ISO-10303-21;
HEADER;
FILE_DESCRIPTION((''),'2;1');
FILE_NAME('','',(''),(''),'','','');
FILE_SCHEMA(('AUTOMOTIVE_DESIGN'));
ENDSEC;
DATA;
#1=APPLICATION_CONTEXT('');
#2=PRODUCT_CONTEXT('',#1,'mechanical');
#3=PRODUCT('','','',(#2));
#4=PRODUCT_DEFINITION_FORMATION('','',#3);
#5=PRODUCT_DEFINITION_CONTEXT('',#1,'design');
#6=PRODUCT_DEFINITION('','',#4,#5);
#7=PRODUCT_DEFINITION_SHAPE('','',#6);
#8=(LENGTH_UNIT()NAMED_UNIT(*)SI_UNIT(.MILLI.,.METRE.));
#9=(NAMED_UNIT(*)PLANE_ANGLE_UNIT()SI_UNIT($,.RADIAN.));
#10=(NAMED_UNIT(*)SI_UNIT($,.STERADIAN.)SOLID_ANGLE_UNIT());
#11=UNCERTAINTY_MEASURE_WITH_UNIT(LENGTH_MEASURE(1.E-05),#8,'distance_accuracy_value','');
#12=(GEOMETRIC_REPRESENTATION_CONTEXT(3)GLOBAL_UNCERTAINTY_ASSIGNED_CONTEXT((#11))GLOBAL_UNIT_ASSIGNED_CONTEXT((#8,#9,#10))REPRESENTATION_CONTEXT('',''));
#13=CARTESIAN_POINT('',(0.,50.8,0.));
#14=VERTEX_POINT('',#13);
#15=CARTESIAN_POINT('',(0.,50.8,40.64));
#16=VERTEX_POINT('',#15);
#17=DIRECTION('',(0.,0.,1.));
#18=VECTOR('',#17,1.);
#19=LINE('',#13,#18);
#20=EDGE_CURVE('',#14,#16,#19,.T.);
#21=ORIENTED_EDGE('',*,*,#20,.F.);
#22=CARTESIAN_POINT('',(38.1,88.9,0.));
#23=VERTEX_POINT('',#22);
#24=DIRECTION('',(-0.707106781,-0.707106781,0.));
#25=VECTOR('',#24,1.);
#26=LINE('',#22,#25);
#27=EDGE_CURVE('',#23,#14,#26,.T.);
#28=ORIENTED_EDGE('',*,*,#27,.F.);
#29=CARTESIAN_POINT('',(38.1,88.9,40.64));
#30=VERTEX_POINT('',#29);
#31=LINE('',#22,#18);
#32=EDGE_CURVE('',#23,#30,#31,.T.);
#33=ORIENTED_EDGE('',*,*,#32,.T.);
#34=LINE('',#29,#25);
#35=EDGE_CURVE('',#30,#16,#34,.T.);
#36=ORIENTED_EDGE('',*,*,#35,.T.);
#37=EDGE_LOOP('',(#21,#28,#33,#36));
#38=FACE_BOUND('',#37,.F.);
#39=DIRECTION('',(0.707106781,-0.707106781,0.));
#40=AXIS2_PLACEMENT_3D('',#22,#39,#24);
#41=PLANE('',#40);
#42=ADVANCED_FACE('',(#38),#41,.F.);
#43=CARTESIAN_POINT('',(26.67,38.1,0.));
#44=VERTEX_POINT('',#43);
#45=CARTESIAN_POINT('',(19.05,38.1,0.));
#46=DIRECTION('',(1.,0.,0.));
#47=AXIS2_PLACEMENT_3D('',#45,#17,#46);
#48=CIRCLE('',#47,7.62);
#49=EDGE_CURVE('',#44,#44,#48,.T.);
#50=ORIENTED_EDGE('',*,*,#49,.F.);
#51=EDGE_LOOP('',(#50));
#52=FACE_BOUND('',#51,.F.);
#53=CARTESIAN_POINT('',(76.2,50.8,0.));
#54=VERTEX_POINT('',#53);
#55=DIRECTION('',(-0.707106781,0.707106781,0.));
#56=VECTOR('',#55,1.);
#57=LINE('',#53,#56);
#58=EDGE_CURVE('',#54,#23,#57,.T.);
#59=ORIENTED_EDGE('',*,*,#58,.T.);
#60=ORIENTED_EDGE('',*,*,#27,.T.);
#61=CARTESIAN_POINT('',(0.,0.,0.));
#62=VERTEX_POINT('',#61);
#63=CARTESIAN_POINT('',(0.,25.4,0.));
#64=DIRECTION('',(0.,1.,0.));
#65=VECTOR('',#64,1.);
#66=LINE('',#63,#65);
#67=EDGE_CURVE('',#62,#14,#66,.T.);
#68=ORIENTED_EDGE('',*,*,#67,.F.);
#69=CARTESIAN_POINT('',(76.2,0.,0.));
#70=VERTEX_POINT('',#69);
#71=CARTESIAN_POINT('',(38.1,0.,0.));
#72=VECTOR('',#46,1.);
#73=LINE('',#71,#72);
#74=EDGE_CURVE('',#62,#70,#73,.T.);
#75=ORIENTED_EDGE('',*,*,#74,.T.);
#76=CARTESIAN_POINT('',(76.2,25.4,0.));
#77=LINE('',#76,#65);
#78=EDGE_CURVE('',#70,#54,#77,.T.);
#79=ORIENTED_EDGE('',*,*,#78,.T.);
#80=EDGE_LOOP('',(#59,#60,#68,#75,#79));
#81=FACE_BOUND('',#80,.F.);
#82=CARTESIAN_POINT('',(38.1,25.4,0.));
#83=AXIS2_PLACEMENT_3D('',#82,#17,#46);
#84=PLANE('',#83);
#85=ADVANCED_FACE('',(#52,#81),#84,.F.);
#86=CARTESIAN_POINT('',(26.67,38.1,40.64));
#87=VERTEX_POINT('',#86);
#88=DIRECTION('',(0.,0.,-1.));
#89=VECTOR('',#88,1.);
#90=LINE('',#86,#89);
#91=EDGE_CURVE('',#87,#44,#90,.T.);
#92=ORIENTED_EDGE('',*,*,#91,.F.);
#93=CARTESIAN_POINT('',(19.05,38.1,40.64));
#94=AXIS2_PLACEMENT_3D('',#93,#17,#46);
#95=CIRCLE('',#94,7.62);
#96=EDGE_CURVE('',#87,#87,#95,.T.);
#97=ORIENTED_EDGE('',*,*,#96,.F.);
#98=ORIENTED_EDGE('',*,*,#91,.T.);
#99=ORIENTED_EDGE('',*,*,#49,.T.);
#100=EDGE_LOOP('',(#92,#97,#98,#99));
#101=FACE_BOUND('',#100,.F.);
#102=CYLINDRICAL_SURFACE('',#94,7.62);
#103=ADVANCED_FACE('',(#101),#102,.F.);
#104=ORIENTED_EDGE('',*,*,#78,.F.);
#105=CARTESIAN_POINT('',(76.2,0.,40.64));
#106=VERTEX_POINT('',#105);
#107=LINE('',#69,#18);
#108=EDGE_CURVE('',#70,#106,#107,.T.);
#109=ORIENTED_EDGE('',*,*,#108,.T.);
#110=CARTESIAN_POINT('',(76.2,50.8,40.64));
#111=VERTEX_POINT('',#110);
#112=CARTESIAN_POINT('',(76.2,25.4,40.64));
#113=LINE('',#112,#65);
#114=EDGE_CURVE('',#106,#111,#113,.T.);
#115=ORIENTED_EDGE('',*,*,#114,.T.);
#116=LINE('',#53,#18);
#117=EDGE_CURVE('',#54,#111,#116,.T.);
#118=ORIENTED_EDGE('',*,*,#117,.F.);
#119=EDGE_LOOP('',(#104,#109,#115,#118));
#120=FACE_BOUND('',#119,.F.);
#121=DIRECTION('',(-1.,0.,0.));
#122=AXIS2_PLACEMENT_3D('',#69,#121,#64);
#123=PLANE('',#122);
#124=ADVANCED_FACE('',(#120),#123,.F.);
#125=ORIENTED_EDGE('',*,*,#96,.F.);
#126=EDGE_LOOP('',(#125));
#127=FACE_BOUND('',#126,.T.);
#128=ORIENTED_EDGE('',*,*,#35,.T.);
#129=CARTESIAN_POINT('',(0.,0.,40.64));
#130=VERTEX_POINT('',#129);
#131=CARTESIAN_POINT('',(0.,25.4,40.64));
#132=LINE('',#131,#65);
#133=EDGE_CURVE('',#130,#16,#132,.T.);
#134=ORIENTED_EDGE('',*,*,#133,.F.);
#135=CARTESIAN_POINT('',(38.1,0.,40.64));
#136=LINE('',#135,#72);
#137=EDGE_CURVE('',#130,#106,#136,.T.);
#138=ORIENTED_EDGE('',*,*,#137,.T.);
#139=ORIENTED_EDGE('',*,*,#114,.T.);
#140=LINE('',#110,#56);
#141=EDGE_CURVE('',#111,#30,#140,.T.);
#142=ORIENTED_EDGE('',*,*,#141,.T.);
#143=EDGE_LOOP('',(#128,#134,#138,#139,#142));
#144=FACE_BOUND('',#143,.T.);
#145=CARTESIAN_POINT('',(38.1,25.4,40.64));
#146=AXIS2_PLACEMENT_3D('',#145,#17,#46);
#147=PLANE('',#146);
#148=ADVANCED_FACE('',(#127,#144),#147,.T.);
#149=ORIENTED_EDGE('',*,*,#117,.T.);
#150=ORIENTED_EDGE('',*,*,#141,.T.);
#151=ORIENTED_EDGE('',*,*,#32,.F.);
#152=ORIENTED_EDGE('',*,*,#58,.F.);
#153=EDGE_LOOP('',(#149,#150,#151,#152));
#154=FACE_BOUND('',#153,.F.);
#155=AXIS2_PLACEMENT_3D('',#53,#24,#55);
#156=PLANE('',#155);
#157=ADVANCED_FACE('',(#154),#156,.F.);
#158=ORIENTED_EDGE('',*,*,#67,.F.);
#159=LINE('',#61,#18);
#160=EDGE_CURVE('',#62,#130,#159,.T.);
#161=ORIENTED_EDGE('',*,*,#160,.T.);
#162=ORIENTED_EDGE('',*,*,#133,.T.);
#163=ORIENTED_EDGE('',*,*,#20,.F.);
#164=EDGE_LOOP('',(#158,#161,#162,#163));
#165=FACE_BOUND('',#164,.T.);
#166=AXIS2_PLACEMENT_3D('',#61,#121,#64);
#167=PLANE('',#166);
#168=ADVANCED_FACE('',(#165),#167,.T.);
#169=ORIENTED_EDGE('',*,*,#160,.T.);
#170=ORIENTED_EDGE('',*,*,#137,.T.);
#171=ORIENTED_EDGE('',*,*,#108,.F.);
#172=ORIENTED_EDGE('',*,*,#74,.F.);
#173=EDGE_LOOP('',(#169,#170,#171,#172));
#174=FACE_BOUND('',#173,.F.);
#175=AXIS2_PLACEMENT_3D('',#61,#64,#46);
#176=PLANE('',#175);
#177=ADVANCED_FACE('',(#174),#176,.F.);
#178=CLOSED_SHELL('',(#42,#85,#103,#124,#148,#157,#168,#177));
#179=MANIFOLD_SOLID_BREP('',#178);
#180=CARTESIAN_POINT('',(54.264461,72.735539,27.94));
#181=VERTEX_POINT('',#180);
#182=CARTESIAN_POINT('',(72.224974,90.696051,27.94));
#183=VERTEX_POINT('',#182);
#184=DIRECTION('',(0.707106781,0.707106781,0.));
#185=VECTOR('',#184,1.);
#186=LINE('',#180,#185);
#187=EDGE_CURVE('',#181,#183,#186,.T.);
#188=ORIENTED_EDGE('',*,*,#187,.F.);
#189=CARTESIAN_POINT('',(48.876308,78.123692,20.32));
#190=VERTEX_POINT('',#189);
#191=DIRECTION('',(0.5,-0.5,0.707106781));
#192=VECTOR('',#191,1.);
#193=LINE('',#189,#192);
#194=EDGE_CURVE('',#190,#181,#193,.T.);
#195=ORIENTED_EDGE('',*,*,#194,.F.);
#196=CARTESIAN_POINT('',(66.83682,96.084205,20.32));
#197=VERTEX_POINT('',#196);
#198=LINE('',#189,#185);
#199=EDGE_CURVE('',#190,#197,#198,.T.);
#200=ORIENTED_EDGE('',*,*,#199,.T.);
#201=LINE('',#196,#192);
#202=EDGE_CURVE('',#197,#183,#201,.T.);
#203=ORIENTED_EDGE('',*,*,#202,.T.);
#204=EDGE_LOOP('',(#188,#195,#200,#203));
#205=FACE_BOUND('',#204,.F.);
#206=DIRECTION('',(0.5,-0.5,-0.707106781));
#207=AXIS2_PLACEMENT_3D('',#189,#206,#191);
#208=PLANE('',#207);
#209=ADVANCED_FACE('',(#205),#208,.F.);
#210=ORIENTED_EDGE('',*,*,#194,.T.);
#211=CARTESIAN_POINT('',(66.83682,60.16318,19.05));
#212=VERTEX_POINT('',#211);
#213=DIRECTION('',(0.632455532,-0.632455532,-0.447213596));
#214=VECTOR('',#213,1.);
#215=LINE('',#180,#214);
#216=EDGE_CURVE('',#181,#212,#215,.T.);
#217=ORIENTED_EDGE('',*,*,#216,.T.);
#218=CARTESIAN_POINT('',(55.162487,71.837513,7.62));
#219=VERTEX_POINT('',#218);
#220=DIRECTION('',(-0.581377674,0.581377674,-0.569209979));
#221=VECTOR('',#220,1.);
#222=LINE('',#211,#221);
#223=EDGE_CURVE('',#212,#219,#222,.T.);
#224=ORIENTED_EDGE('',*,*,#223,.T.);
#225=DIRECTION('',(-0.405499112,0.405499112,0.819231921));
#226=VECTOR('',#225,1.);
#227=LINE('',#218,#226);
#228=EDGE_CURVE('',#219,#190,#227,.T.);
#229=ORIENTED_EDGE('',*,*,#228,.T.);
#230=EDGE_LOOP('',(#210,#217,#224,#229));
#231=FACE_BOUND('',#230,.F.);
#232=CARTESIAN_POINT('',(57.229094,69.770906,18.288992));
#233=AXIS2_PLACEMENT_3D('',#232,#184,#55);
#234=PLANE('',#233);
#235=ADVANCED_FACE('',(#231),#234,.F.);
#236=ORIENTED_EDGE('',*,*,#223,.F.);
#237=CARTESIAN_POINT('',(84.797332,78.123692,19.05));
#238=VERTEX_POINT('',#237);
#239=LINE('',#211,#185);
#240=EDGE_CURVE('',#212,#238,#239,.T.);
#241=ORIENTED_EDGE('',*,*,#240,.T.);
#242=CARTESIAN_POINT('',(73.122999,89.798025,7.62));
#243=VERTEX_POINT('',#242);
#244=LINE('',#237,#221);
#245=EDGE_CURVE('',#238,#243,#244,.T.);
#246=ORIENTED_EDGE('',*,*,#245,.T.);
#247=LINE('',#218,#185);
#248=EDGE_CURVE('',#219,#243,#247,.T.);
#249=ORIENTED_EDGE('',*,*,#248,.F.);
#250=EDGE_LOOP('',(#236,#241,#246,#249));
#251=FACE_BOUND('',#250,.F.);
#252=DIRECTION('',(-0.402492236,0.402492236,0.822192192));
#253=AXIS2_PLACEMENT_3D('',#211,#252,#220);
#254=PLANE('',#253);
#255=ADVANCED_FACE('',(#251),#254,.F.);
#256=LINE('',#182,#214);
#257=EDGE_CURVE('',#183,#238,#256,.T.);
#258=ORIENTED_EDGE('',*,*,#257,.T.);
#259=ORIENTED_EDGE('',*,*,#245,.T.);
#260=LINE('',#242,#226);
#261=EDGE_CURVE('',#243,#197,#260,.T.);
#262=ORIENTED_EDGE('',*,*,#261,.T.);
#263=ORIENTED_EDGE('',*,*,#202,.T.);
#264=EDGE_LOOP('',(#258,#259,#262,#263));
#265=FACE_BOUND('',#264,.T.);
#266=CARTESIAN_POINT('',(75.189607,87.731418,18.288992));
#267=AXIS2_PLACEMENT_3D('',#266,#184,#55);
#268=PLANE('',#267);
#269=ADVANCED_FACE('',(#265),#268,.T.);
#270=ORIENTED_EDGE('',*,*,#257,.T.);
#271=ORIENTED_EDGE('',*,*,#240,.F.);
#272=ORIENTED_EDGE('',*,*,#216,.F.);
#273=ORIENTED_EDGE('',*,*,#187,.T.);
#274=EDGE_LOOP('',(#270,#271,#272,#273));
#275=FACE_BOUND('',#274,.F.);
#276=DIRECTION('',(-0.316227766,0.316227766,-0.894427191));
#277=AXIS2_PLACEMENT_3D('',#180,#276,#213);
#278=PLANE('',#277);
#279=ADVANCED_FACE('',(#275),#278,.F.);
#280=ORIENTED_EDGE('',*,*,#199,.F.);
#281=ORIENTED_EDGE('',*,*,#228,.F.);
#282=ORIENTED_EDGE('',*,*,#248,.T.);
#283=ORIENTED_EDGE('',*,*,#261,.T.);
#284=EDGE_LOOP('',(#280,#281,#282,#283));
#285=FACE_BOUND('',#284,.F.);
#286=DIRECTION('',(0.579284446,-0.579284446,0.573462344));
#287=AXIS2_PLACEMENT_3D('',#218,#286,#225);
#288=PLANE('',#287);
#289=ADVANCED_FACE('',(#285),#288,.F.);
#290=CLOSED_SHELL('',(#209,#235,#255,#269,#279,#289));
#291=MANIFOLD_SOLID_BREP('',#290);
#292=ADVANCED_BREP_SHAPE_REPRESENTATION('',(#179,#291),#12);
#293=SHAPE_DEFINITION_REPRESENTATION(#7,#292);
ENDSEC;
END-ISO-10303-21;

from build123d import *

# Parameters (mm, degrees)
F0_W     = 76.2
F0_H     = 50.8
F1_DEPTH = 40.64
F2_R     = 7.62
F3_DEPTH = 40.641
F5_DEPTH = 25.4


with BuildPart() as f1:
    # F0 (on Top) → F1 (new body)
    with BuildSketch(Plane.XY):
        with Locations((38.1, 25.4)):
            Rectangle(F0_W, F0_H)
        Polygon((38.1, 88.9), (0, 50.8), (76.2, 50.8), align=None)
    extrude(amount=F1_DEPTH)

    # F2 (on face) → F3 (cut, through all)
    with BuildSketch(Plane.XY.offset(40.64)):
        with Locations((19.05, 38.1)):
            Circle(F2_R)
    extrude(amount=-F3_DEPTH, mode=Mode.SUBTRACT)


with BuildPart() as f5:
    # F4 (on face) → F5 (new body)
    with BuildSketch(Plane(origin=(63.5, 63.5, 0), x_dir=(-0.707107, 0.707107, 0), z_dir=(0.707107, 0.707107, 0))):
        Polygon((11.791024, 7.62), (20.681024, 20.32), (13.061024, 27.94), (-4.718976, 19.05), align=None)
    extrude(amount=F5_DEPTH)


solid = Compound([f1.part, f5.part])
